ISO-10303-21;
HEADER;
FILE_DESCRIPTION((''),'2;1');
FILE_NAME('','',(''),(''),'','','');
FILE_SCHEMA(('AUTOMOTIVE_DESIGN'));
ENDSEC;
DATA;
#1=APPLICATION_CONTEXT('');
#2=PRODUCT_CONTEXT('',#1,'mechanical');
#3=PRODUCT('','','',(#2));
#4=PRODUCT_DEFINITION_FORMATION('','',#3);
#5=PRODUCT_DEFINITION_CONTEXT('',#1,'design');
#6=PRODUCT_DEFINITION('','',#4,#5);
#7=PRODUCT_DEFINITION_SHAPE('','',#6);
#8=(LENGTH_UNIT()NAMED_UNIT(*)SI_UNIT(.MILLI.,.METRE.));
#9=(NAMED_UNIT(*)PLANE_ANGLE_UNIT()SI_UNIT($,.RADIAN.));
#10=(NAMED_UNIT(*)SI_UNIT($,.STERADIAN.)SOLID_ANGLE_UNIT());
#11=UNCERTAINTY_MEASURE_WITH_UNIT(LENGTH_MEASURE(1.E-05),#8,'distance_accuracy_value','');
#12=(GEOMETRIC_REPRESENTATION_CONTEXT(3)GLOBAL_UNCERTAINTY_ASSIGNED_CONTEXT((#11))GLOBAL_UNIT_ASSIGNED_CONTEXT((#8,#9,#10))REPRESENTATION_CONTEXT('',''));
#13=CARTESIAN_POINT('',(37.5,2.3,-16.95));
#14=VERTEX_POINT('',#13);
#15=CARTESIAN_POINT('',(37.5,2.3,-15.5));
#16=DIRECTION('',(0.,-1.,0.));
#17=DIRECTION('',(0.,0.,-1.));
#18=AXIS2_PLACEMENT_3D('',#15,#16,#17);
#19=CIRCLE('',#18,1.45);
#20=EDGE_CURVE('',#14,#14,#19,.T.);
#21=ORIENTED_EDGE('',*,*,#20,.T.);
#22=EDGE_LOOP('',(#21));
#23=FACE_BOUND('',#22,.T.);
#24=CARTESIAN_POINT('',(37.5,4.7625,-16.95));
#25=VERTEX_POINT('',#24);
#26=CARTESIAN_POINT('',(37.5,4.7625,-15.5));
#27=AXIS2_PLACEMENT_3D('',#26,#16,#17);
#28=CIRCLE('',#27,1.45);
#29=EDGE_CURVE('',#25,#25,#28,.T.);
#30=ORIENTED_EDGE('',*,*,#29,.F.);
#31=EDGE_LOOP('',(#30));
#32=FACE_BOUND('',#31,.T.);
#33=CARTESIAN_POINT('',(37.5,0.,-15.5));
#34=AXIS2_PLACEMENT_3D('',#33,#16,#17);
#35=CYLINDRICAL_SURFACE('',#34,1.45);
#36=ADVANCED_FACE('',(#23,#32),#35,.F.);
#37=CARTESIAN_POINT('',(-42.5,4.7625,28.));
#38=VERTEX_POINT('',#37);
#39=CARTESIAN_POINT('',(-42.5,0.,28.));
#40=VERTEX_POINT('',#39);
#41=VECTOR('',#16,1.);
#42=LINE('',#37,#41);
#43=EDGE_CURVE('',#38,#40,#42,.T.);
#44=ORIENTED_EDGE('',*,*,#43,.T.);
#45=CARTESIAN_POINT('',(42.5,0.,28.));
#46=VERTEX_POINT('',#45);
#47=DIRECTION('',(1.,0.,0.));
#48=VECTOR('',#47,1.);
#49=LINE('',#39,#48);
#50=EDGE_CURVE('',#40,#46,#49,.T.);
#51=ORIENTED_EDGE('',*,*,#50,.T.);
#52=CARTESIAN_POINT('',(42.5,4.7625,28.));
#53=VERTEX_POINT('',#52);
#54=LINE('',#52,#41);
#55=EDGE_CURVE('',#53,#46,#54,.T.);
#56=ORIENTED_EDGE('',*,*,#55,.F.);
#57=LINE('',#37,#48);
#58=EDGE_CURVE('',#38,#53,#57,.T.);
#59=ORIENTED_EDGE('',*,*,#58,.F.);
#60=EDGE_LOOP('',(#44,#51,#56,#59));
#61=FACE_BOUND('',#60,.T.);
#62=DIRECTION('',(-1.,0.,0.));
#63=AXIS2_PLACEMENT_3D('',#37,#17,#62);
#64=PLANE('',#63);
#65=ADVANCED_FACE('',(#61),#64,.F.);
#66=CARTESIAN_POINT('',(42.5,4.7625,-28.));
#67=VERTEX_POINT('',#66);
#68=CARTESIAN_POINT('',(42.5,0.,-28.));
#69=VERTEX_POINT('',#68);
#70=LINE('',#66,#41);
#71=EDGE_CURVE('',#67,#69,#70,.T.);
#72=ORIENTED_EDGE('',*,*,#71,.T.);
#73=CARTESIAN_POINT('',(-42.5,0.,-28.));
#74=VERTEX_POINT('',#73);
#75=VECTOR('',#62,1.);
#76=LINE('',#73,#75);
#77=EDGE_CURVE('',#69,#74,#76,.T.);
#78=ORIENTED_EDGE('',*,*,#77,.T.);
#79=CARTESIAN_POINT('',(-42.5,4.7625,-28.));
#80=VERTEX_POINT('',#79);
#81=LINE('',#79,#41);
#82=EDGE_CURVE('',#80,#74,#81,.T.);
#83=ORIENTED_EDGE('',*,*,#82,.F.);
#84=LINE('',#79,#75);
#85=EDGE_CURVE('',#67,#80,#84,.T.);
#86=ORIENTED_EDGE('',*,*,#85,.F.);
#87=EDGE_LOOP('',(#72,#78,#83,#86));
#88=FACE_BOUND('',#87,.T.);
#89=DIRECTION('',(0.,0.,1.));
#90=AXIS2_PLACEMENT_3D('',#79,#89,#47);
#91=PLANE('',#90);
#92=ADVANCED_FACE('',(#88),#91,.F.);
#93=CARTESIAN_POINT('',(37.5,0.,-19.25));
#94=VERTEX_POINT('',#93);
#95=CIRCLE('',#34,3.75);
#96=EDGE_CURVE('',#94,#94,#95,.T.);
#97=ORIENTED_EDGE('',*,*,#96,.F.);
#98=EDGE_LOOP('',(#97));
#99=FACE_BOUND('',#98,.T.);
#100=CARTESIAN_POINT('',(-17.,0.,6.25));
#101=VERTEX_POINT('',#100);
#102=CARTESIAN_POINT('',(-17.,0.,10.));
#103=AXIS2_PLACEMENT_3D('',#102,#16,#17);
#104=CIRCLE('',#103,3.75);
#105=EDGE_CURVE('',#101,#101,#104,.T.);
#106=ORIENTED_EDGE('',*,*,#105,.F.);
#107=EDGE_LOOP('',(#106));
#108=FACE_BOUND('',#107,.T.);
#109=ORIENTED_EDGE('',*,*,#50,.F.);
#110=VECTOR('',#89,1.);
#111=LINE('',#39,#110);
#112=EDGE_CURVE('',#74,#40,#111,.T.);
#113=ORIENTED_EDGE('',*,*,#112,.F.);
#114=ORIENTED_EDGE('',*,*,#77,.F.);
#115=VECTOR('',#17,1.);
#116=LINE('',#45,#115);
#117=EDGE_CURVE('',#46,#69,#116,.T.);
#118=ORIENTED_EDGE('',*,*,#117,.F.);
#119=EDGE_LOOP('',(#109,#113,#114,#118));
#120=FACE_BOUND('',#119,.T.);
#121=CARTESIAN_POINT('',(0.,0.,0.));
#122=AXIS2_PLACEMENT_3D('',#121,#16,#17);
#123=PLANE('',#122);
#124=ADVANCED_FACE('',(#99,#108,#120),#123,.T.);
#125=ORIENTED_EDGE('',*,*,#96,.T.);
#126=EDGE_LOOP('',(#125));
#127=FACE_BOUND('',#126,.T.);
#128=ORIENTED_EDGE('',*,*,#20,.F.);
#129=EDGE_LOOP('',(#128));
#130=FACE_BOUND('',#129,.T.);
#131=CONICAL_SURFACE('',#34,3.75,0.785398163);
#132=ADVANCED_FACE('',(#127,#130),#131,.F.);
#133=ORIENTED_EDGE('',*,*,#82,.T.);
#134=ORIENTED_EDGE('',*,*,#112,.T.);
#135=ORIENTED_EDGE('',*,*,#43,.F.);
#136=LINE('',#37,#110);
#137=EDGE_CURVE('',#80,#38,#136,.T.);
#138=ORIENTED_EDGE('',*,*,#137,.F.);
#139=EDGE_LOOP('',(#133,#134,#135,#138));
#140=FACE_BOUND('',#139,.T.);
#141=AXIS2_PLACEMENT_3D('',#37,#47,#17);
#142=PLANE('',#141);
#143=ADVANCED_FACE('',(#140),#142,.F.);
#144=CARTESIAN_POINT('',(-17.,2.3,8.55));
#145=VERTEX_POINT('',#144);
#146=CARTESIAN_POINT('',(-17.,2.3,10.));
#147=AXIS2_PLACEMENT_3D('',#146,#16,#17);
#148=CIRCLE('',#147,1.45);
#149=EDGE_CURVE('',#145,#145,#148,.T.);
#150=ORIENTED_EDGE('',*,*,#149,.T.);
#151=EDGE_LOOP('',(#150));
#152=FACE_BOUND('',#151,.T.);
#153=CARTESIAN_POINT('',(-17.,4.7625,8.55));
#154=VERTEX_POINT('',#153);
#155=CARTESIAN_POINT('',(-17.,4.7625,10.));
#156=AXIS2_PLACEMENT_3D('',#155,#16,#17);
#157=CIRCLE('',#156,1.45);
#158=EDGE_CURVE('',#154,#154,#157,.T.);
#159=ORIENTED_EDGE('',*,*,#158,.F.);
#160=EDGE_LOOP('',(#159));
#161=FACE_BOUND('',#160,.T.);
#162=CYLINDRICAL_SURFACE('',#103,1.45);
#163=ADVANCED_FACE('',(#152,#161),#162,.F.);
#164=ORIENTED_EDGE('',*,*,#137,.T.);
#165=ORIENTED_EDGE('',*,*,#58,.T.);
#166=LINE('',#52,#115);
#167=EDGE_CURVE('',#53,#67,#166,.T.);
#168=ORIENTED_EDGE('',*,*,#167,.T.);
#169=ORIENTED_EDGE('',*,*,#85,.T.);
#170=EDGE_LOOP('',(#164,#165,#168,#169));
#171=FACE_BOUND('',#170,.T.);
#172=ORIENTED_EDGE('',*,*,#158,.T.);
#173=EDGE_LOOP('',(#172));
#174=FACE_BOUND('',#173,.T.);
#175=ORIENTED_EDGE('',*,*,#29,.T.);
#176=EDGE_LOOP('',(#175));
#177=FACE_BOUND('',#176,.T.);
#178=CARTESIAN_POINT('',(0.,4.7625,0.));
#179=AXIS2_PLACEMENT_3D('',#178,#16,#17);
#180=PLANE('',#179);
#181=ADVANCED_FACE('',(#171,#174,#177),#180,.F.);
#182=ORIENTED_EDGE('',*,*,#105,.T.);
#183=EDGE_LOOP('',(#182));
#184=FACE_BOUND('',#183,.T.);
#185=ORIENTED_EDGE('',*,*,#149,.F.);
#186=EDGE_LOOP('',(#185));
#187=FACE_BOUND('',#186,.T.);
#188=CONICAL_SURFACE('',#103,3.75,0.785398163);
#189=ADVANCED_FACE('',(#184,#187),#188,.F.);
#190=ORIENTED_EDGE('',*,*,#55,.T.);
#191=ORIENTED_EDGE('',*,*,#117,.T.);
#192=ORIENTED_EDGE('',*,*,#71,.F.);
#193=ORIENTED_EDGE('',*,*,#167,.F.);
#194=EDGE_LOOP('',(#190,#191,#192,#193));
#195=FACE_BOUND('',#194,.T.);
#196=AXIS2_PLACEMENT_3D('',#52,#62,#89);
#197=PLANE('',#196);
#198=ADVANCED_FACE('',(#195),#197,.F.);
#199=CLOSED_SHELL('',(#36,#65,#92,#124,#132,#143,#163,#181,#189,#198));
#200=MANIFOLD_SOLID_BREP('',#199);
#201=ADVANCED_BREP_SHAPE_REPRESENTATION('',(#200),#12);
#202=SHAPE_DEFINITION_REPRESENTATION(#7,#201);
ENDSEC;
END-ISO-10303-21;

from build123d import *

# Parameters (mm, degrees)
SKETCH1_W                                         = 85
SKETCH1_H                                         = 56
BOSS_EXTRUDE1_DEPTH                               = 4.7625
CSK_FOR_M2_5_FLAT_HEAD_MACHINE_SCREW1_D           = 2.9
CSK_FOR_M2_5_FLAT_HEAD_MACHINE_SCREW1_CSINK_D     = 7.5
CSK_FOR_M2_5_FLAT_HEAD_MACHINE_SCREW1_CSINK_ANGLE = 90


with BuildPart() as part:
    # Sketch1 → Boss-Extrude1 (new body)
    with BuildSketch(Plane(origin=(0, 0, 0), x_dir=(1, 0, 0), z_dir=(0, 1, 0))):
        Rectangle(SKETCH1_W, SKETCH1_H)
    extrude(amount=BOSS_EXTRUDE1_DEPTH)

    # CSK for M2.5 Flat Head Machine Screw1 (through all)
    with Locations(Plane(origin=(-17, 0, 10), x_dir=(0, 0, -1), z_dir=(0, -1, 0))):
        with Locations((0, 0), (25.5, 54.5)):
            CounterSinkHole(CSK_FOR_M2_5_FLAT_HEAD_MACHINE_SCREW1_D / 2, CSK_FOR_M2_5_FLAT_HEAD_MACHINE_SCREW1_CSINK_D / 2, counter_sink_angle=CSK_FOR_M2_5_FLAT_HEAD_MACHINE_SCREW1_CSINK_ANGLE)


solid = part.part
